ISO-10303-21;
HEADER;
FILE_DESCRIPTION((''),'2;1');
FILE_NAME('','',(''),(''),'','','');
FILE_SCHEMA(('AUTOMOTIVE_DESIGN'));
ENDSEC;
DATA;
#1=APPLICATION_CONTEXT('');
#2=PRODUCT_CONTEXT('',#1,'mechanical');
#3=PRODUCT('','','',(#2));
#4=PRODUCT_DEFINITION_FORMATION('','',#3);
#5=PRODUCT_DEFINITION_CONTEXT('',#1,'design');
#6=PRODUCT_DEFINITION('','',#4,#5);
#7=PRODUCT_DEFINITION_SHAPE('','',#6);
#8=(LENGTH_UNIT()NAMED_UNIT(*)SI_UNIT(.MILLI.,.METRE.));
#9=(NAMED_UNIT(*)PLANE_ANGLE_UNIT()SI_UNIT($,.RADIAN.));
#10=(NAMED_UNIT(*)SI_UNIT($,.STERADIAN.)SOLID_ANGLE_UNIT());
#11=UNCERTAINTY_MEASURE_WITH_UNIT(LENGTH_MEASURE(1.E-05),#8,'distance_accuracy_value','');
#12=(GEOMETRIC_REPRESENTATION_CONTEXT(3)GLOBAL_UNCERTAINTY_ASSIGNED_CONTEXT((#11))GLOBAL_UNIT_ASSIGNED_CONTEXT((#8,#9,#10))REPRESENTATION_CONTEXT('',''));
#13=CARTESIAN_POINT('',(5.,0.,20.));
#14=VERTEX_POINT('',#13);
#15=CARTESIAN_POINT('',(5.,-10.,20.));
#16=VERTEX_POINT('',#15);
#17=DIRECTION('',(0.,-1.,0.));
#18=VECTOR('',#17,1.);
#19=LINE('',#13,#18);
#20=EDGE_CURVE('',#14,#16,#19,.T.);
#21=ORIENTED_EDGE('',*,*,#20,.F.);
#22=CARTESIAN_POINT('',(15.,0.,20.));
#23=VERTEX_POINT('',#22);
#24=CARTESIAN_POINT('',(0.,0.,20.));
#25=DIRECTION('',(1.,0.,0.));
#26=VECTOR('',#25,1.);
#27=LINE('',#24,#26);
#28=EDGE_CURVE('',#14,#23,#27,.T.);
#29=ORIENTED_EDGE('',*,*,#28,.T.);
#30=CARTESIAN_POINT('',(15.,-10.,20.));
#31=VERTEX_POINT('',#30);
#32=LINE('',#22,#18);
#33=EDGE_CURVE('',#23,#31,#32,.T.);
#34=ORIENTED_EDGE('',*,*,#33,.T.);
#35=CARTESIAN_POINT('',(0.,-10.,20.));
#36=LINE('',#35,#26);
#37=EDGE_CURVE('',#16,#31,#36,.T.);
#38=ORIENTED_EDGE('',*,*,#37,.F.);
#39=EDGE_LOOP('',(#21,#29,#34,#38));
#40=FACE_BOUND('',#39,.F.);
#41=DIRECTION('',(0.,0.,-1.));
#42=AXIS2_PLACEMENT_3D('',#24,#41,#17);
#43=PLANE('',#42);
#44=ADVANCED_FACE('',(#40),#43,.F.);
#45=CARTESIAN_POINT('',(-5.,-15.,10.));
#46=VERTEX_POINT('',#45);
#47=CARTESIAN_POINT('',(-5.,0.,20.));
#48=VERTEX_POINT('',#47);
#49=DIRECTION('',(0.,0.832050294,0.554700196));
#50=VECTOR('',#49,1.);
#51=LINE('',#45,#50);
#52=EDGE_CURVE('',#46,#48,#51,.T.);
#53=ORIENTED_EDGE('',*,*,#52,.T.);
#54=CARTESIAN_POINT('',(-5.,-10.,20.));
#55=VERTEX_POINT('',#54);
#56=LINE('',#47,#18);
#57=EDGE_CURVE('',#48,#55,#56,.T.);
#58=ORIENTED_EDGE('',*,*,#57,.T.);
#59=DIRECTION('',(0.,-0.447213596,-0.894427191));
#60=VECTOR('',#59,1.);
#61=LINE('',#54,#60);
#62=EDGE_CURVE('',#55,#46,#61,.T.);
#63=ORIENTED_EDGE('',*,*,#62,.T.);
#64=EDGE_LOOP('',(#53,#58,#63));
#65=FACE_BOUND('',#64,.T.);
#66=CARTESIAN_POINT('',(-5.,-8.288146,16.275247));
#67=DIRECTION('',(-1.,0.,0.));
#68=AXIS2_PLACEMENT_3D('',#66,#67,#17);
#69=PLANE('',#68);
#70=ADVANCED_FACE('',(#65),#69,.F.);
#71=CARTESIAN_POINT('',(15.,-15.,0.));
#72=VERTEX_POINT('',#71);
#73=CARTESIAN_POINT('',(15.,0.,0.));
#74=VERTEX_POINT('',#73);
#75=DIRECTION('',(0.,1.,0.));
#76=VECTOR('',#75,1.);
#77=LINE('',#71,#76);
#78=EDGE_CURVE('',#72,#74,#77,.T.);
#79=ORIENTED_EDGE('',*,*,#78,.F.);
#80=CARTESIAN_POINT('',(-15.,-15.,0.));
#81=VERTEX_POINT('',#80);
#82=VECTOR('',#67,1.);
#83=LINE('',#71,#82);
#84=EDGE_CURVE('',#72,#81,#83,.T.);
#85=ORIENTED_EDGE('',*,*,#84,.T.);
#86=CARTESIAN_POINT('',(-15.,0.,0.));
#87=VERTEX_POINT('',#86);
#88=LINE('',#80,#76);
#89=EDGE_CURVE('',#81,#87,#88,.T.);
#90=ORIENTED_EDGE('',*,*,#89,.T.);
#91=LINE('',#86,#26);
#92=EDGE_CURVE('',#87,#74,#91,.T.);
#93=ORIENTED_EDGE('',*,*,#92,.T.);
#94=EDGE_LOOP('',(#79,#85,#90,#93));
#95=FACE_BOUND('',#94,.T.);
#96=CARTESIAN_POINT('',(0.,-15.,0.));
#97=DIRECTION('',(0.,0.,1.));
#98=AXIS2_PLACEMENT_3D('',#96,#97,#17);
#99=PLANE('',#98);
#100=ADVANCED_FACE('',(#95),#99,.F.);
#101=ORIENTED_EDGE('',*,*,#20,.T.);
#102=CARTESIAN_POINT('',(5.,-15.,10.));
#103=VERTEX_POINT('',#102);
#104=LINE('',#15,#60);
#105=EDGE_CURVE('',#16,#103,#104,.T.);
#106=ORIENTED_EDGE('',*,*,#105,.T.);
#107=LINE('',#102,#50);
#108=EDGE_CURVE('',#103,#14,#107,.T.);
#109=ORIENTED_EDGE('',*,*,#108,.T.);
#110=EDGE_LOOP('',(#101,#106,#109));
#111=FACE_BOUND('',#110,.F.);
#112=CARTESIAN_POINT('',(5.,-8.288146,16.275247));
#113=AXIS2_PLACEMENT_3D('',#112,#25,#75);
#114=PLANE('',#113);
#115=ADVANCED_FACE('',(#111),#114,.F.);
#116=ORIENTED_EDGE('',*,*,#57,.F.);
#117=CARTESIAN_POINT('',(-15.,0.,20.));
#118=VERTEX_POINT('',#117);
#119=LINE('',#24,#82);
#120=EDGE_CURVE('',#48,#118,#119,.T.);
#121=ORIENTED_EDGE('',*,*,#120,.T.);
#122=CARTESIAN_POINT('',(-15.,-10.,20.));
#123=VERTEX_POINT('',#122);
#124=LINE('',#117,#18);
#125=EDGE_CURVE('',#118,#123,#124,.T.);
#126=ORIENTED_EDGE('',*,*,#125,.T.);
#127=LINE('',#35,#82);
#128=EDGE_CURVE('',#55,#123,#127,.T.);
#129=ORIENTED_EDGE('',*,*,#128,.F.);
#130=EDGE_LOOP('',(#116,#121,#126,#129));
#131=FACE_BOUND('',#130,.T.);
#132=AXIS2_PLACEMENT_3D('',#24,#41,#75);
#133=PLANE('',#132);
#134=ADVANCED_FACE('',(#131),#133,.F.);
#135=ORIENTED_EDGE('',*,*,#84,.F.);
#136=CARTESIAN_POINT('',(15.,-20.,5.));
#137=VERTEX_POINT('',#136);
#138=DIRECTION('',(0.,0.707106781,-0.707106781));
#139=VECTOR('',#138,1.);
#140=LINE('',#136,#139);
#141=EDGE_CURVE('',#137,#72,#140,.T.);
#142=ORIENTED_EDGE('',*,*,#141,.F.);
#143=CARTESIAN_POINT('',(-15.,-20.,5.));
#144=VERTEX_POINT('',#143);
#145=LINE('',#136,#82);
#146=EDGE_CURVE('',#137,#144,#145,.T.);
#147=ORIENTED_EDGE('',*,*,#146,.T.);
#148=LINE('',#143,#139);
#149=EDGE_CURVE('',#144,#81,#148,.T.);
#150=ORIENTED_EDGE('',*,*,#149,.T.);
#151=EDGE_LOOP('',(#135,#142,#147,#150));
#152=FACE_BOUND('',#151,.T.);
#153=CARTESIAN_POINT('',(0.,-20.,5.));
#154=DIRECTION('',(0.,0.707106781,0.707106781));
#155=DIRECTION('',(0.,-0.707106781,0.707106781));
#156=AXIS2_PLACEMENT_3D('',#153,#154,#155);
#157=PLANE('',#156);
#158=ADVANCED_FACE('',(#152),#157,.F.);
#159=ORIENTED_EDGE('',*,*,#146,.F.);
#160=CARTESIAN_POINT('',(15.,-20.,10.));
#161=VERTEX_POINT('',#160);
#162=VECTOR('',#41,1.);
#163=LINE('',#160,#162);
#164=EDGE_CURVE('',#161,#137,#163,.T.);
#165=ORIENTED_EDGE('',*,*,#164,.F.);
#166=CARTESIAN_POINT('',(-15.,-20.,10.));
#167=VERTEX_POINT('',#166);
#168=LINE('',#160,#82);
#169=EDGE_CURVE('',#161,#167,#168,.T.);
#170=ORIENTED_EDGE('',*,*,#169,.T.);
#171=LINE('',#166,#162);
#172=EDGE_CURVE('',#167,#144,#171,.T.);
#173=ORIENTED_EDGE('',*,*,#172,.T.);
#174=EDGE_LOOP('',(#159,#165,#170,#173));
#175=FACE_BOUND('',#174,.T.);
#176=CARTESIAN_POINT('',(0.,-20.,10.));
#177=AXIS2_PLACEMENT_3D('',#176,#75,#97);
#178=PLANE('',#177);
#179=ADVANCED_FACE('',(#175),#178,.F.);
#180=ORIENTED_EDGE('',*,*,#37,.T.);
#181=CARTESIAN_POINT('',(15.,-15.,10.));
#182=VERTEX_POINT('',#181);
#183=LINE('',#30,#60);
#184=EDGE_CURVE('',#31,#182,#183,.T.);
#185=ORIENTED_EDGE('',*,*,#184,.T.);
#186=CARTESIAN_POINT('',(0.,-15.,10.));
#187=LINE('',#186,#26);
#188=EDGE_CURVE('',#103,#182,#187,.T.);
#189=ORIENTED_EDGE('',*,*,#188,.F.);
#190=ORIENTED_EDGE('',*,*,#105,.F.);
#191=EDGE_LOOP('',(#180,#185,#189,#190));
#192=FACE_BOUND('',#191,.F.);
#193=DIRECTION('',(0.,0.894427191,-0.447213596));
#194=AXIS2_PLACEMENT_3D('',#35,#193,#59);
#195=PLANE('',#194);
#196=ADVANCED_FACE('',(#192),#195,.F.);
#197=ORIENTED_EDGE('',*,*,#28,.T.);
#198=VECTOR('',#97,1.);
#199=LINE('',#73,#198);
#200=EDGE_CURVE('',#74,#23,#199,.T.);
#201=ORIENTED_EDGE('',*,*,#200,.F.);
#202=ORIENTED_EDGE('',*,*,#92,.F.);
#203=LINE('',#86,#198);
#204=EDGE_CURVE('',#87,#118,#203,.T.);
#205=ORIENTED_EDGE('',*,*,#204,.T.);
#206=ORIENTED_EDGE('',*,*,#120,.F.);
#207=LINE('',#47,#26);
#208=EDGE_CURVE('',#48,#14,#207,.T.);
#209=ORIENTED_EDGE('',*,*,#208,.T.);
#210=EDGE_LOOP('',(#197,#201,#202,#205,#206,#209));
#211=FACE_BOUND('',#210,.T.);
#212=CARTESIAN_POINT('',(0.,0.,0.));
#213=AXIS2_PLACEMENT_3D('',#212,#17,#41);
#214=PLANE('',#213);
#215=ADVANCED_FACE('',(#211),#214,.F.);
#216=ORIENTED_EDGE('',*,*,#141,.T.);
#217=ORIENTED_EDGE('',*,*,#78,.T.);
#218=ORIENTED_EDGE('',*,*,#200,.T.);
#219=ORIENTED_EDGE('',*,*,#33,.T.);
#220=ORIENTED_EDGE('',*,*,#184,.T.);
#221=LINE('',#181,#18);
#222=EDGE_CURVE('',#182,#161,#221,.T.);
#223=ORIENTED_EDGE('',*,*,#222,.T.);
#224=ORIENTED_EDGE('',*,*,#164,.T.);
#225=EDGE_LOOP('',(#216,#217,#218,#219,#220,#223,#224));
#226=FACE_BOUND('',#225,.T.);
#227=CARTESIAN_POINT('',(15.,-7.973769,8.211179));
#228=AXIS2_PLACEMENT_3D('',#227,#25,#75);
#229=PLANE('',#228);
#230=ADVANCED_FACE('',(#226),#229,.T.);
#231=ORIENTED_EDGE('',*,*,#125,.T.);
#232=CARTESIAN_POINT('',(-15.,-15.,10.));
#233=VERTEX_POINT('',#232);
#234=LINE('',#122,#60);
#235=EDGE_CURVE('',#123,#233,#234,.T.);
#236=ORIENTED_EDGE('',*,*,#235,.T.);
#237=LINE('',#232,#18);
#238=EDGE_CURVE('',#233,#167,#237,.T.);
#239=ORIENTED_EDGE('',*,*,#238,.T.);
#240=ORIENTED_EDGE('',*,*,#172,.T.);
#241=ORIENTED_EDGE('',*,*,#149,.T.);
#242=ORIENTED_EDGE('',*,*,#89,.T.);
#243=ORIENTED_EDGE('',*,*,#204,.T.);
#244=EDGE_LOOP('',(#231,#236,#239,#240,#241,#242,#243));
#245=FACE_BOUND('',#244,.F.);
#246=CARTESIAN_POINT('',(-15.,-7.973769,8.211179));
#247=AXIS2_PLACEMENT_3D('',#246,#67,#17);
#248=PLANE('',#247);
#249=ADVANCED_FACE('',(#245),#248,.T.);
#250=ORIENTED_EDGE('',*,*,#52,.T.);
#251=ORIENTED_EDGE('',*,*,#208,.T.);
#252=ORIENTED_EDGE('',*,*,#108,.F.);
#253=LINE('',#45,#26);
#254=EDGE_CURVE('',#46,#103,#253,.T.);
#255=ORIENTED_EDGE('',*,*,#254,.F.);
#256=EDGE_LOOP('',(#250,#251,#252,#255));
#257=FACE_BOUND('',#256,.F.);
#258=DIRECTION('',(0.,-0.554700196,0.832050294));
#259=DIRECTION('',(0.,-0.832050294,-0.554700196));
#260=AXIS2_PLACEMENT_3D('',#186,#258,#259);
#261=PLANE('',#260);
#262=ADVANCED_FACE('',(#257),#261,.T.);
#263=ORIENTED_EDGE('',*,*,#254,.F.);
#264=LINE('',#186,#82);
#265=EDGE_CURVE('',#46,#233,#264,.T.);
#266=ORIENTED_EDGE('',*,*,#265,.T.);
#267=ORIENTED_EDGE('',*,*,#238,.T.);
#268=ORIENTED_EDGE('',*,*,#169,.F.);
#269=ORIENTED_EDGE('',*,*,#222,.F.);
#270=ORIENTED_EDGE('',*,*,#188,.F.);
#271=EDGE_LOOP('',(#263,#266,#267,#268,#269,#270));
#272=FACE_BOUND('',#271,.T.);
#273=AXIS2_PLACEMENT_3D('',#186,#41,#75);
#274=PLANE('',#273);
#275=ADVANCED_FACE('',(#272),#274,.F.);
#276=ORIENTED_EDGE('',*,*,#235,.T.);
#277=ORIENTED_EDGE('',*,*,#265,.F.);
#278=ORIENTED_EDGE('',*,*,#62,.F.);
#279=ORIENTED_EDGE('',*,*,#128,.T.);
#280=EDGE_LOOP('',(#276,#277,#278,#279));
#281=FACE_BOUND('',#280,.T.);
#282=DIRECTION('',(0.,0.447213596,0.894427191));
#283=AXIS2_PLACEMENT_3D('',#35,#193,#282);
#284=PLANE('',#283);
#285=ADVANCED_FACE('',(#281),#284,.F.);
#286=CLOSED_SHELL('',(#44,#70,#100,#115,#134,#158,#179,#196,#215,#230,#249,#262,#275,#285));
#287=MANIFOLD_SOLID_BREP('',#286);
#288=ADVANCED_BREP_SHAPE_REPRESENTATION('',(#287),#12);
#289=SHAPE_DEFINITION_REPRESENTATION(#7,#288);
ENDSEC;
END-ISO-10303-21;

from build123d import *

# Parameters (mm, degrees)
F1_DEPTH = 15
F2_DEPTH = 5


with BuildPart() as f1:
    # F0 (on Right) → F1 (new body)
    with BuildSketch(Plane.YZ):
        Polygon((-15, 0), (0, 0), (0, 20), (-15, 10), (-20, 10), (-20, 5), align=None)
        Polygon((-15, 10), (0, 20), (-10, 20), align=None)
    extrude(amount=F1_DEPTH)

    # F0 (on Right) → F2 (cut)
    with BuildSketch(Plane.YZ):
        Polygon((-15, 10), (0, 20), (-10, 20), align=None)
    extrude(amount=F2_DEPTH, mode=Mode.SUBTRACT)

    # F3: F1 across face


with BuildPart() as f1_1:
    add(f1.part)
    add(f1.part.mirror(Plane(origin=(0, -8.174603, 7.539683), x_dir=(0, 1, 0), z_dir=(-1, 0, 0))))


solid = f1_1.part
